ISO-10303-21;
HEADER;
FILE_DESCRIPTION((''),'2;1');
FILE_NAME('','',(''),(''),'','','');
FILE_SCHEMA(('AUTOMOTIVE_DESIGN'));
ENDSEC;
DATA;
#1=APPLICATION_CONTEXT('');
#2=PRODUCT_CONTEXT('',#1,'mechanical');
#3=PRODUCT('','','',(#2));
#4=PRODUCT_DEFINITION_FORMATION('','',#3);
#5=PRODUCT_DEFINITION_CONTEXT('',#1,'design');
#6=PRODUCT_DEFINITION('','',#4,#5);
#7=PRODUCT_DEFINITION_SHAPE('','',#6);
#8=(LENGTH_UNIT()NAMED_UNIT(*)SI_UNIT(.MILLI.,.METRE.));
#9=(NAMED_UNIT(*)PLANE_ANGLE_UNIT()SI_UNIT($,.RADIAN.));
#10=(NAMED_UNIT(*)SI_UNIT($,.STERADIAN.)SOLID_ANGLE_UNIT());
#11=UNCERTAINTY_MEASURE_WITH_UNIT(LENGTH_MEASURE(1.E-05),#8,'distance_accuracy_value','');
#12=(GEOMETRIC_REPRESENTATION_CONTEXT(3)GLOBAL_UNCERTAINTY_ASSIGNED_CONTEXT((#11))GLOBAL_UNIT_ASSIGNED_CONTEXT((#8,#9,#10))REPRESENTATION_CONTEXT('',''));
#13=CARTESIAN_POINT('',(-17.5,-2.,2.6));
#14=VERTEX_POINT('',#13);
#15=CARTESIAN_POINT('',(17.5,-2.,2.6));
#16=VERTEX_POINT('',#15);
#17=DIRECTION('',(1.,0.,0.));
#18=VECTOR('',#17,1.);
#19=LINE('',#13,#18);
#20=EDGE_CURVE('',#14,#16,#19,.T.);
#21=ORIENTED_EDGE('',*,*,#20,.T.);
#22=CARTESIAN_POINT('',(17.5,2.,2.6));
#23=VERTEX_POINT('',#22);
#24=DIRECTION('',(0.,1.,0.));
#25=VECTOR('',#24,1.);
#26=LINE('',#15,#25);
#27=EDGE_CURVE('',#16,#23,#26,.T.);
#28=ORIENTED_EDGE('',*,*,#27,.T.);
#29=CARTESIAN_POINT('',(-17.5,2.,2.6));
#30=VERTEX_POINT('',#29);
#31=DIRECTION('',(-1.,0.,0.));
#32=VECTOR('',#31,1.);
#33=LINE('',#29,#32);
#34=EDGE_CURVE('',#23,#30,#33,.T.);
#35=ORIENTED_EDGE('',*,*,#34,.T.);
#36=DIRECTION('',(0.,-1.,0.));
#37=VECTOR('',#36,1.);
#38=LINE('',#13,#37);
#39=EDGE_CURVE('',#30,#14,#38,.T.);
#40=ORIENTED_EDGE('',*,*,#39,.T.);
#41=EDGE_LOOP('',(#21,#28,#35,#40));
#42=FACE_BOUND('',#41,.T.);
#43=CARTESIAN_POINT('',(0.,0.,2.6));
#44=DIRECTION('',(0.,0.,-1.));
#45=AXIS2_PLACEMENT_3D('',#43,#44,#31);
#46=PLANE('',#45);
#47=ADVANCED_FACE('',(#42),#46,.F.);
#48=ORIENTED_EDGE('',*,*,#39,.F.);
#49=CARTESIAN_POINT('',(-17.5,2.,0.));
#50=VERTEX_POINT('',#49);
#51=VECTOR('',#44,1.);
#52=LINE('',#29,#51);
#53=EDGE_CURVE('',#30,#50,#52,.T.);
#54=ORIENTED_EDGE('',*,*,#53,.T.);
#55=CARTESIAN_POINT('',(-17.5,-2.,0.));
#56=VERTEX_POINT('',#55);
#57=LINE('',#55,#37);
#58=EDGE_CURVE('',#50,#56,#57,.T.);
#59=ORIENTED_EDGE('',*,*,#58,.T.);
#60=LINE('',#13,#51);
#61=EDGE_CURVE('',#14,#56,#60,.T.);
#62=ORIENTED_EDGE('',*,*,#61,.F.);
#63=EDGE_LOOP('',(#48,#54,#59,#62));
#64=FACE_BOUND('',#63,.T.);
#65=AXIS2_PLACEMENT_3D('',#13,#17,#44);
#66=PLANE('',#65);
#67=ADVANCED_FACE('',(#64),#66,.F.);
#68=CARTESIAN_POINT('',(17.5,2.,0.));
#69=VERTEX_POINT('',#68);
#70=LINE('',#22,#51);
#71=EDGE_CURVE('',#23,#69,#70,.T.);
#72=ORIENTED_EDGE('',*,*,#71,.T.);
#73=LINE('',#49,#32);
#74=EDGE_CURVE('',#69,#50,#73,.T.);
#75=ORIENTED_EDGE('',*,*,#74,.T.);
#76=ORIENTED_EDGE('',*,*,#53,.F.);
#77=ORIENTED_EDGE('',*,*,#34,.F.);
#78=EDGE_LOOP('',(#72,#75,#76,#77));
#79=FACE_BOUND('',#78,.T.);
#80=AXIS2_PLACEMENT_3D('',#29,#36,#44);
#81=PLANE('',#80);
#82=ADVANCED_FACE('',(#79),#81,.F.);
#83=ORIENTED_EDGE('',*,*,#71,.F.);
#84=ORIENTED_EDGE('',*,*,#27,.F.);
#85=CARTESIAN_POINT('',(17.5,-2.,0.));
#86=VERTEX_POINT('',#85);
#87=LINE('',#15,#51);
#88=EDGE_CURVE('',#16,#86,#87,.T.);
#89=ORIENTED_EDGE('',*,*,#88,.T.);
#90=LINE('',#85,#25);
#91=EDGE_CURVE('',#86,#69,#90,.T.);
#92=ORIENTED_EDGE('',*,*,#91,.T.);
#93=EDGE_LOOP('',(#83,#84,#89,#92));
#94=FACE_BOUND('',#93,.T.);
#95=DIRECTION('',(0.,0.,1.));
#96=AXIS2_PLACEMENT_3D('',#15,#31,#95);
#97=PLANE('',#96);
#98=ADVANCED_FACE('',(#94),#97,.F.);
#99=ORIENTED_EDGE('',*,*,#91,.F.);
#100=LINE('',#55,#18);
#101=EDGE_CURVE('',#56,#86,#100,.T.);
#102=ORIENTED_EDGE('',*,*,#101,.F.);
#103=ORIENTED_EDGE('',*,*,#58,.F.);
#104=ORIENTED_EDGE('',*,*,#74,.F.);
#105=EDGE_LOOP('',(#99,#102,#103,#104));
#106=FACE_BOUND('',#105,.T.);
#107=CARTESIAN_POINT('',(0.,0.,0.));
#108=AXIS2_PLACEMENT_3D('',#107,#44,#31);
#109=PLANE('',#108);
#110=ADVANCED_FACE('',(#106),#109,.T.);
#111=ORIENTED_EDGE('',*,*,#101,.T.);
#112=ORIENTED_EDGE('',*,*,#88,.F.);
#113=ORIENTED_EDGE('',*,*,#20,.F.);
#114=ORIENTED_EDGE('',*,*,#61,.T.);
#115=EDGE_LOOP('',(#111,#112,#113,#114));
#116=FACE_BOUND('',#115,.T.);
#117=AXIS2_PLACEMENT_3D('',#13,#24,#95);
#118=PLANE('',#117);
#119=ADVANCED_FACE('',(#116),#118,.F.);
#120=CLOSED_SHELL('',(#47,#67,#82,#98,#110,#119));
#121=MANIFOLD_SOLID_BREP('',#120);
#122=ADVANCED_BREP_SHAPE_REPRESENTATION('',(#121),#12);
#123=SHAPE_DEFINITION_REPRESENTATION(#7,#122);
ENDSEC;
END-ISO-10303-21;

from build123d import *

# Parameters (mm, degrees)
SZKIC1_W                    = 35
SZKIC1_H                    = 4
DODANIE_WYCI_GNI_CIE1_DEPTH = 2.6


with BuildPart() as part:
    # Szkic1 → Dodanie-wyciągnięcie1 (new body)
    with BuildSketch(Plane.XY):
        Rectangle(SZKIC1_W, SZKIC1_H)
    extrude(amount=DODANIE_WYCI_GNI_CIE1_DEPTH)


solid = part.part
